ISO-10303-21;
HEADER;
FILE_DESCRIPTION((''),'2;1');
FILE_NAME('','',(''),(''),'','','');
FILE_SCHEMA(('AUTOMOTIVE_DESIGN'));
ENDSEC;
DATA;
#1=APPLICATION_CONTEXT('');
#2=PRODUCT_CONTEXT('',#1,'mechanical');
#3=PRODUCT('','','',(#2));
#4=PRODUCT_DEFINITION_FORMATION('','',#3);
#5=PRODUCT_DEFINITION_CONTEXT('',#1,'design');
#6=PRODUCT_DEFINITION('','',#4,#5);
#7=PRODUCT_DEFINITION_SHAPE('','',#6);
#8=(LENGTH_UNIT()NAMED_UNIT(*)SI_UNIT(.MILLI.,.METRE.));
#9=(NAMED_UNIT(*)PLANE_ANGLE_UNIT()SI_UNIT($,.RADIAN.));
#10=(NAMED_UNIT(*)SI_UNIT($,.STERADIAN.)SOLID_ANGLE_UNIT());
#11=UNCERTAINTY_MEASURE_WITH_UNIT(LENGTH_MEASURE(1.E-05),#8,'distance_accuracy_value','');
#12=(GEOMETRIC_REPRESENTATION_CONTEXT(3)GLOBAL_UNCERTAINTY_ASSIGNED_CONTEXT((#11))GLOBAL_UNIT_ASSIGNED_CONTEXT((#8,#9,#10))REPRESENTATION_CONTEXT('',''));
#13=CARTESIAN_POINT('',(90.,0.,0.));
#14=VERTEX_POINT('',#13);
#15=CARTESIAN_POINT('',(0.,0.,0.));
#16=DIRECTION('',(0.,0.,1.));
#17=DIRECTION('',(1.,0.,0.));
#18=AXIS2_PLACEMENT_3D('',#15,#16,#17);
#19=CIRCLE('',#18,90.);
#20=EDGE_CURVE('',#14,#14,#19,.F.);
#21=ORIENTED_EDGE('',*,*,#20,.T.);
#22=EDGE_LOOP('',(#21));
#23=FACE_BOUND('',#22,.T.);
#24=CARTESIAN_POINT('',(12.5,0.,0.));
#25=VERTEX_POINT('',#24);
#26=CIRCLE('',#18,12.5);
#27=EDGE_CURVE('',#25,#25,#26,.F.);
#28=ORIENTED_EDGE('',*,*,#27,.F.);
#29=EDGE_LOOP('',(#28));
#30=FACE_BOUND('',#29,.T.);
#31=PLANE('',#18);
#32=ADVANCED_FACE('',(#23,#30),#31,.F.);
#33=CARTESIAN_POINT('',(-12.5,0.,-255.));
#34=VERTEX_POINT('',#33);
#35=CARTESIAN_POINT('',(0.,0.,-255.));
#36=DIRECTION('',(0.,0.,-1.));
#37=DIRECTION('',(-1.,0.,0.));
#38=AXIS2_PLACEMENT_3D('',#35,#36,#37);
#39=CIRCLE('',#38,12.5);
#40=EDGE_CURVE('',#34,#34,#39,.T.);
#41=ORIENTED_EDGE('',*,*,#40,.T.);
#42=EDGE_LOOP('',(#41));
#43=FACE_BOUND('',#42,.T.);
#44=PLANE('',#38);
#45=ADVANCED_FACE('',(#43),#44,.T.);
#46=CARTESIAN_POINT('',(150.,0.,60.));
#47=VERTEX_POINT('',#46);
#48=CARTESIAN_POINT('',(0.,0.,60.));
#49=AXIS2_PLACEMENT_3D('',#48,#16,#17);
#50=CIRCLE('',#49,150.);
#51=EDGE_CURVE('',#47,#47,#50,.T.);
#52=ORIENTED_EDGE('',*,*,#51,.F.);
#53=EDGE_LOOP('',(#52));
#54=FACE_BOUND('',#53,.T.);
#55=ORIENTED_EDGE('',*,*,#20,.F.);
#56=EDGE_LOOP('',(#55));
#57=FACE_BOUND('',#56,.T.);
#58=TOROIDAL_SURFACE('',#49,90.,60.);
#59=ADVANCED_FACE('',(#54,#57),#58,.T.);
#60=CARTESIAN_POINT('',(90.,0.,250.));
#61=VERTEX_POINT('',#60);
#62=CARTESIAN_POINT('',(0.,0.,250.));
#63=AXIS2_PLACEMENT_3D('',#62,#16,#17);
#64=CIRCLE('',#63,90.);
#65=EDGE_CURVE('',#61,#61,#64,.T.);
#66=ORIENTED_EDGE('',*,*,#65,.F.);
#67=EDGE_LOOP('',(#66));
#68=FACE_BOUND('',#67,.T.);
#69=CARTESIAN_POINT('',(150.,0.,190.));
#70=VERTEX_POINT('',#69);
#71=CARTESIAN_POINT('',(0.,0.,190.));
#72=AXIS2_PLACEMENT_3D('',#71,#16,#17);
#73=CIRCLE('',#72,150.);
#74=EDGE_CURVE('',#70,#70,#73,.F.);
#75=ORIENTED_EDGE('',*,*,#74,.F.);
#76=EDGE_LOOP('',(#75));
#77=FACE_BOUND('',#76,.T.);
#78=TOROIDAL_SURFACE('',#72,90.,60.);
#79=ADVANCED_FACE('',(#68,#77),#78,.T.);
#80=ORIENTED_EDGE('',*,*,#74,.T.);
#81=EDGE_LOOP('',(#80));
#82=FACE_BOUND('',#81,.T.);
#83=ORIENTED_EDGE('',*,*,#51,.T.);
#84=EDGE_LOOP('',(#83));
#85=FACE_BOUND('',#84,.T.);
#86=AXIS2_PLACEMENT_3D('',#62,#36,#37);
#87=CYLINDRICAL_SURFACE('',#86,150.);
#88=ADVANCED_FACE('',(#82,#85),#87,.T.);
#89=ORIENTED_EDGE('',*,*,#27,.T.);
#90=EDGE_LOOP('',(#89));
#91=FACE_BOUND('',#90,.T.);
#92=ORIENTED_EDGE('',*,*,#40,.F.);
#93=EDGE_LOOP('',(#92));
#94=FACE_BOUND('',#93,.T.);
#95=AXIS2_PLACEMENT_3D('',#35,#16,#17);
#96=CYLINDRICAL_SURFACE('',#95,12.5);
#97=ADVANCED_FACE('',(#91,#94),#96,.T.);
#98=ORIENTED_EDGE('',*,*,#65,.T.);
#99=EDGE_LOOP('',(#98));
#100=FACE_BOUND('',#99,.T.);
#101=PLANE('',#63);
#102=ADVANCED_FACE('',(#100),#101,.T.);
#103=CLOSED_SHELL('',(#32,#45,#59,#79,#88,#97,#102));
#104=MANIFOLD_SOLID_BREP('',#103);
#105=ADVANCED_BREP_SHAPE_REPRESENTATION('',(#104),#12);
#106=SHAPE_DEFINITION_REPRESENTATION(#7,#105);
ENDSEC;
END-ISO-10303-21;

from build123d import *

# Parameters (mm, degrees)
SKETCH2_R           = 150
BOSS_EXTRUDE1_DEPTH = 250
SKETCH3_R           = 12.5
BOSS_EXTRUDE2_DEPTH = 255
FILLET1_R           = 60


with BuildPart() as part:
    # Sketch2 → Boss-Extrude1 (new body)
    with BuildSketch(Plane.XY):
        Circle(SKETCH2_R)
    extrude(amount=BOSS_EXTRUDE1_DEPTH)

    # Sketch3 → Boss-Extrude2 (add)
    with BuildSketch(Plane(origin=(0, 0, 0), x_dir=(-1, 0, 0), z_dir=(0, 0, -1))):
        Circle(SKETCH3_R)
    extrude(amount=BOSS_EXTRUDE2_DEPTH)

    # Fillet1
    fillet1_edges = [part.edges().sort_by_distance(p)[0] for p in [
        (-150, 0, 0),
        (-150, 0, 250),
    ]]
    fillet(fillet1_edges, radius=FILLET1_R)


solid = part.part
